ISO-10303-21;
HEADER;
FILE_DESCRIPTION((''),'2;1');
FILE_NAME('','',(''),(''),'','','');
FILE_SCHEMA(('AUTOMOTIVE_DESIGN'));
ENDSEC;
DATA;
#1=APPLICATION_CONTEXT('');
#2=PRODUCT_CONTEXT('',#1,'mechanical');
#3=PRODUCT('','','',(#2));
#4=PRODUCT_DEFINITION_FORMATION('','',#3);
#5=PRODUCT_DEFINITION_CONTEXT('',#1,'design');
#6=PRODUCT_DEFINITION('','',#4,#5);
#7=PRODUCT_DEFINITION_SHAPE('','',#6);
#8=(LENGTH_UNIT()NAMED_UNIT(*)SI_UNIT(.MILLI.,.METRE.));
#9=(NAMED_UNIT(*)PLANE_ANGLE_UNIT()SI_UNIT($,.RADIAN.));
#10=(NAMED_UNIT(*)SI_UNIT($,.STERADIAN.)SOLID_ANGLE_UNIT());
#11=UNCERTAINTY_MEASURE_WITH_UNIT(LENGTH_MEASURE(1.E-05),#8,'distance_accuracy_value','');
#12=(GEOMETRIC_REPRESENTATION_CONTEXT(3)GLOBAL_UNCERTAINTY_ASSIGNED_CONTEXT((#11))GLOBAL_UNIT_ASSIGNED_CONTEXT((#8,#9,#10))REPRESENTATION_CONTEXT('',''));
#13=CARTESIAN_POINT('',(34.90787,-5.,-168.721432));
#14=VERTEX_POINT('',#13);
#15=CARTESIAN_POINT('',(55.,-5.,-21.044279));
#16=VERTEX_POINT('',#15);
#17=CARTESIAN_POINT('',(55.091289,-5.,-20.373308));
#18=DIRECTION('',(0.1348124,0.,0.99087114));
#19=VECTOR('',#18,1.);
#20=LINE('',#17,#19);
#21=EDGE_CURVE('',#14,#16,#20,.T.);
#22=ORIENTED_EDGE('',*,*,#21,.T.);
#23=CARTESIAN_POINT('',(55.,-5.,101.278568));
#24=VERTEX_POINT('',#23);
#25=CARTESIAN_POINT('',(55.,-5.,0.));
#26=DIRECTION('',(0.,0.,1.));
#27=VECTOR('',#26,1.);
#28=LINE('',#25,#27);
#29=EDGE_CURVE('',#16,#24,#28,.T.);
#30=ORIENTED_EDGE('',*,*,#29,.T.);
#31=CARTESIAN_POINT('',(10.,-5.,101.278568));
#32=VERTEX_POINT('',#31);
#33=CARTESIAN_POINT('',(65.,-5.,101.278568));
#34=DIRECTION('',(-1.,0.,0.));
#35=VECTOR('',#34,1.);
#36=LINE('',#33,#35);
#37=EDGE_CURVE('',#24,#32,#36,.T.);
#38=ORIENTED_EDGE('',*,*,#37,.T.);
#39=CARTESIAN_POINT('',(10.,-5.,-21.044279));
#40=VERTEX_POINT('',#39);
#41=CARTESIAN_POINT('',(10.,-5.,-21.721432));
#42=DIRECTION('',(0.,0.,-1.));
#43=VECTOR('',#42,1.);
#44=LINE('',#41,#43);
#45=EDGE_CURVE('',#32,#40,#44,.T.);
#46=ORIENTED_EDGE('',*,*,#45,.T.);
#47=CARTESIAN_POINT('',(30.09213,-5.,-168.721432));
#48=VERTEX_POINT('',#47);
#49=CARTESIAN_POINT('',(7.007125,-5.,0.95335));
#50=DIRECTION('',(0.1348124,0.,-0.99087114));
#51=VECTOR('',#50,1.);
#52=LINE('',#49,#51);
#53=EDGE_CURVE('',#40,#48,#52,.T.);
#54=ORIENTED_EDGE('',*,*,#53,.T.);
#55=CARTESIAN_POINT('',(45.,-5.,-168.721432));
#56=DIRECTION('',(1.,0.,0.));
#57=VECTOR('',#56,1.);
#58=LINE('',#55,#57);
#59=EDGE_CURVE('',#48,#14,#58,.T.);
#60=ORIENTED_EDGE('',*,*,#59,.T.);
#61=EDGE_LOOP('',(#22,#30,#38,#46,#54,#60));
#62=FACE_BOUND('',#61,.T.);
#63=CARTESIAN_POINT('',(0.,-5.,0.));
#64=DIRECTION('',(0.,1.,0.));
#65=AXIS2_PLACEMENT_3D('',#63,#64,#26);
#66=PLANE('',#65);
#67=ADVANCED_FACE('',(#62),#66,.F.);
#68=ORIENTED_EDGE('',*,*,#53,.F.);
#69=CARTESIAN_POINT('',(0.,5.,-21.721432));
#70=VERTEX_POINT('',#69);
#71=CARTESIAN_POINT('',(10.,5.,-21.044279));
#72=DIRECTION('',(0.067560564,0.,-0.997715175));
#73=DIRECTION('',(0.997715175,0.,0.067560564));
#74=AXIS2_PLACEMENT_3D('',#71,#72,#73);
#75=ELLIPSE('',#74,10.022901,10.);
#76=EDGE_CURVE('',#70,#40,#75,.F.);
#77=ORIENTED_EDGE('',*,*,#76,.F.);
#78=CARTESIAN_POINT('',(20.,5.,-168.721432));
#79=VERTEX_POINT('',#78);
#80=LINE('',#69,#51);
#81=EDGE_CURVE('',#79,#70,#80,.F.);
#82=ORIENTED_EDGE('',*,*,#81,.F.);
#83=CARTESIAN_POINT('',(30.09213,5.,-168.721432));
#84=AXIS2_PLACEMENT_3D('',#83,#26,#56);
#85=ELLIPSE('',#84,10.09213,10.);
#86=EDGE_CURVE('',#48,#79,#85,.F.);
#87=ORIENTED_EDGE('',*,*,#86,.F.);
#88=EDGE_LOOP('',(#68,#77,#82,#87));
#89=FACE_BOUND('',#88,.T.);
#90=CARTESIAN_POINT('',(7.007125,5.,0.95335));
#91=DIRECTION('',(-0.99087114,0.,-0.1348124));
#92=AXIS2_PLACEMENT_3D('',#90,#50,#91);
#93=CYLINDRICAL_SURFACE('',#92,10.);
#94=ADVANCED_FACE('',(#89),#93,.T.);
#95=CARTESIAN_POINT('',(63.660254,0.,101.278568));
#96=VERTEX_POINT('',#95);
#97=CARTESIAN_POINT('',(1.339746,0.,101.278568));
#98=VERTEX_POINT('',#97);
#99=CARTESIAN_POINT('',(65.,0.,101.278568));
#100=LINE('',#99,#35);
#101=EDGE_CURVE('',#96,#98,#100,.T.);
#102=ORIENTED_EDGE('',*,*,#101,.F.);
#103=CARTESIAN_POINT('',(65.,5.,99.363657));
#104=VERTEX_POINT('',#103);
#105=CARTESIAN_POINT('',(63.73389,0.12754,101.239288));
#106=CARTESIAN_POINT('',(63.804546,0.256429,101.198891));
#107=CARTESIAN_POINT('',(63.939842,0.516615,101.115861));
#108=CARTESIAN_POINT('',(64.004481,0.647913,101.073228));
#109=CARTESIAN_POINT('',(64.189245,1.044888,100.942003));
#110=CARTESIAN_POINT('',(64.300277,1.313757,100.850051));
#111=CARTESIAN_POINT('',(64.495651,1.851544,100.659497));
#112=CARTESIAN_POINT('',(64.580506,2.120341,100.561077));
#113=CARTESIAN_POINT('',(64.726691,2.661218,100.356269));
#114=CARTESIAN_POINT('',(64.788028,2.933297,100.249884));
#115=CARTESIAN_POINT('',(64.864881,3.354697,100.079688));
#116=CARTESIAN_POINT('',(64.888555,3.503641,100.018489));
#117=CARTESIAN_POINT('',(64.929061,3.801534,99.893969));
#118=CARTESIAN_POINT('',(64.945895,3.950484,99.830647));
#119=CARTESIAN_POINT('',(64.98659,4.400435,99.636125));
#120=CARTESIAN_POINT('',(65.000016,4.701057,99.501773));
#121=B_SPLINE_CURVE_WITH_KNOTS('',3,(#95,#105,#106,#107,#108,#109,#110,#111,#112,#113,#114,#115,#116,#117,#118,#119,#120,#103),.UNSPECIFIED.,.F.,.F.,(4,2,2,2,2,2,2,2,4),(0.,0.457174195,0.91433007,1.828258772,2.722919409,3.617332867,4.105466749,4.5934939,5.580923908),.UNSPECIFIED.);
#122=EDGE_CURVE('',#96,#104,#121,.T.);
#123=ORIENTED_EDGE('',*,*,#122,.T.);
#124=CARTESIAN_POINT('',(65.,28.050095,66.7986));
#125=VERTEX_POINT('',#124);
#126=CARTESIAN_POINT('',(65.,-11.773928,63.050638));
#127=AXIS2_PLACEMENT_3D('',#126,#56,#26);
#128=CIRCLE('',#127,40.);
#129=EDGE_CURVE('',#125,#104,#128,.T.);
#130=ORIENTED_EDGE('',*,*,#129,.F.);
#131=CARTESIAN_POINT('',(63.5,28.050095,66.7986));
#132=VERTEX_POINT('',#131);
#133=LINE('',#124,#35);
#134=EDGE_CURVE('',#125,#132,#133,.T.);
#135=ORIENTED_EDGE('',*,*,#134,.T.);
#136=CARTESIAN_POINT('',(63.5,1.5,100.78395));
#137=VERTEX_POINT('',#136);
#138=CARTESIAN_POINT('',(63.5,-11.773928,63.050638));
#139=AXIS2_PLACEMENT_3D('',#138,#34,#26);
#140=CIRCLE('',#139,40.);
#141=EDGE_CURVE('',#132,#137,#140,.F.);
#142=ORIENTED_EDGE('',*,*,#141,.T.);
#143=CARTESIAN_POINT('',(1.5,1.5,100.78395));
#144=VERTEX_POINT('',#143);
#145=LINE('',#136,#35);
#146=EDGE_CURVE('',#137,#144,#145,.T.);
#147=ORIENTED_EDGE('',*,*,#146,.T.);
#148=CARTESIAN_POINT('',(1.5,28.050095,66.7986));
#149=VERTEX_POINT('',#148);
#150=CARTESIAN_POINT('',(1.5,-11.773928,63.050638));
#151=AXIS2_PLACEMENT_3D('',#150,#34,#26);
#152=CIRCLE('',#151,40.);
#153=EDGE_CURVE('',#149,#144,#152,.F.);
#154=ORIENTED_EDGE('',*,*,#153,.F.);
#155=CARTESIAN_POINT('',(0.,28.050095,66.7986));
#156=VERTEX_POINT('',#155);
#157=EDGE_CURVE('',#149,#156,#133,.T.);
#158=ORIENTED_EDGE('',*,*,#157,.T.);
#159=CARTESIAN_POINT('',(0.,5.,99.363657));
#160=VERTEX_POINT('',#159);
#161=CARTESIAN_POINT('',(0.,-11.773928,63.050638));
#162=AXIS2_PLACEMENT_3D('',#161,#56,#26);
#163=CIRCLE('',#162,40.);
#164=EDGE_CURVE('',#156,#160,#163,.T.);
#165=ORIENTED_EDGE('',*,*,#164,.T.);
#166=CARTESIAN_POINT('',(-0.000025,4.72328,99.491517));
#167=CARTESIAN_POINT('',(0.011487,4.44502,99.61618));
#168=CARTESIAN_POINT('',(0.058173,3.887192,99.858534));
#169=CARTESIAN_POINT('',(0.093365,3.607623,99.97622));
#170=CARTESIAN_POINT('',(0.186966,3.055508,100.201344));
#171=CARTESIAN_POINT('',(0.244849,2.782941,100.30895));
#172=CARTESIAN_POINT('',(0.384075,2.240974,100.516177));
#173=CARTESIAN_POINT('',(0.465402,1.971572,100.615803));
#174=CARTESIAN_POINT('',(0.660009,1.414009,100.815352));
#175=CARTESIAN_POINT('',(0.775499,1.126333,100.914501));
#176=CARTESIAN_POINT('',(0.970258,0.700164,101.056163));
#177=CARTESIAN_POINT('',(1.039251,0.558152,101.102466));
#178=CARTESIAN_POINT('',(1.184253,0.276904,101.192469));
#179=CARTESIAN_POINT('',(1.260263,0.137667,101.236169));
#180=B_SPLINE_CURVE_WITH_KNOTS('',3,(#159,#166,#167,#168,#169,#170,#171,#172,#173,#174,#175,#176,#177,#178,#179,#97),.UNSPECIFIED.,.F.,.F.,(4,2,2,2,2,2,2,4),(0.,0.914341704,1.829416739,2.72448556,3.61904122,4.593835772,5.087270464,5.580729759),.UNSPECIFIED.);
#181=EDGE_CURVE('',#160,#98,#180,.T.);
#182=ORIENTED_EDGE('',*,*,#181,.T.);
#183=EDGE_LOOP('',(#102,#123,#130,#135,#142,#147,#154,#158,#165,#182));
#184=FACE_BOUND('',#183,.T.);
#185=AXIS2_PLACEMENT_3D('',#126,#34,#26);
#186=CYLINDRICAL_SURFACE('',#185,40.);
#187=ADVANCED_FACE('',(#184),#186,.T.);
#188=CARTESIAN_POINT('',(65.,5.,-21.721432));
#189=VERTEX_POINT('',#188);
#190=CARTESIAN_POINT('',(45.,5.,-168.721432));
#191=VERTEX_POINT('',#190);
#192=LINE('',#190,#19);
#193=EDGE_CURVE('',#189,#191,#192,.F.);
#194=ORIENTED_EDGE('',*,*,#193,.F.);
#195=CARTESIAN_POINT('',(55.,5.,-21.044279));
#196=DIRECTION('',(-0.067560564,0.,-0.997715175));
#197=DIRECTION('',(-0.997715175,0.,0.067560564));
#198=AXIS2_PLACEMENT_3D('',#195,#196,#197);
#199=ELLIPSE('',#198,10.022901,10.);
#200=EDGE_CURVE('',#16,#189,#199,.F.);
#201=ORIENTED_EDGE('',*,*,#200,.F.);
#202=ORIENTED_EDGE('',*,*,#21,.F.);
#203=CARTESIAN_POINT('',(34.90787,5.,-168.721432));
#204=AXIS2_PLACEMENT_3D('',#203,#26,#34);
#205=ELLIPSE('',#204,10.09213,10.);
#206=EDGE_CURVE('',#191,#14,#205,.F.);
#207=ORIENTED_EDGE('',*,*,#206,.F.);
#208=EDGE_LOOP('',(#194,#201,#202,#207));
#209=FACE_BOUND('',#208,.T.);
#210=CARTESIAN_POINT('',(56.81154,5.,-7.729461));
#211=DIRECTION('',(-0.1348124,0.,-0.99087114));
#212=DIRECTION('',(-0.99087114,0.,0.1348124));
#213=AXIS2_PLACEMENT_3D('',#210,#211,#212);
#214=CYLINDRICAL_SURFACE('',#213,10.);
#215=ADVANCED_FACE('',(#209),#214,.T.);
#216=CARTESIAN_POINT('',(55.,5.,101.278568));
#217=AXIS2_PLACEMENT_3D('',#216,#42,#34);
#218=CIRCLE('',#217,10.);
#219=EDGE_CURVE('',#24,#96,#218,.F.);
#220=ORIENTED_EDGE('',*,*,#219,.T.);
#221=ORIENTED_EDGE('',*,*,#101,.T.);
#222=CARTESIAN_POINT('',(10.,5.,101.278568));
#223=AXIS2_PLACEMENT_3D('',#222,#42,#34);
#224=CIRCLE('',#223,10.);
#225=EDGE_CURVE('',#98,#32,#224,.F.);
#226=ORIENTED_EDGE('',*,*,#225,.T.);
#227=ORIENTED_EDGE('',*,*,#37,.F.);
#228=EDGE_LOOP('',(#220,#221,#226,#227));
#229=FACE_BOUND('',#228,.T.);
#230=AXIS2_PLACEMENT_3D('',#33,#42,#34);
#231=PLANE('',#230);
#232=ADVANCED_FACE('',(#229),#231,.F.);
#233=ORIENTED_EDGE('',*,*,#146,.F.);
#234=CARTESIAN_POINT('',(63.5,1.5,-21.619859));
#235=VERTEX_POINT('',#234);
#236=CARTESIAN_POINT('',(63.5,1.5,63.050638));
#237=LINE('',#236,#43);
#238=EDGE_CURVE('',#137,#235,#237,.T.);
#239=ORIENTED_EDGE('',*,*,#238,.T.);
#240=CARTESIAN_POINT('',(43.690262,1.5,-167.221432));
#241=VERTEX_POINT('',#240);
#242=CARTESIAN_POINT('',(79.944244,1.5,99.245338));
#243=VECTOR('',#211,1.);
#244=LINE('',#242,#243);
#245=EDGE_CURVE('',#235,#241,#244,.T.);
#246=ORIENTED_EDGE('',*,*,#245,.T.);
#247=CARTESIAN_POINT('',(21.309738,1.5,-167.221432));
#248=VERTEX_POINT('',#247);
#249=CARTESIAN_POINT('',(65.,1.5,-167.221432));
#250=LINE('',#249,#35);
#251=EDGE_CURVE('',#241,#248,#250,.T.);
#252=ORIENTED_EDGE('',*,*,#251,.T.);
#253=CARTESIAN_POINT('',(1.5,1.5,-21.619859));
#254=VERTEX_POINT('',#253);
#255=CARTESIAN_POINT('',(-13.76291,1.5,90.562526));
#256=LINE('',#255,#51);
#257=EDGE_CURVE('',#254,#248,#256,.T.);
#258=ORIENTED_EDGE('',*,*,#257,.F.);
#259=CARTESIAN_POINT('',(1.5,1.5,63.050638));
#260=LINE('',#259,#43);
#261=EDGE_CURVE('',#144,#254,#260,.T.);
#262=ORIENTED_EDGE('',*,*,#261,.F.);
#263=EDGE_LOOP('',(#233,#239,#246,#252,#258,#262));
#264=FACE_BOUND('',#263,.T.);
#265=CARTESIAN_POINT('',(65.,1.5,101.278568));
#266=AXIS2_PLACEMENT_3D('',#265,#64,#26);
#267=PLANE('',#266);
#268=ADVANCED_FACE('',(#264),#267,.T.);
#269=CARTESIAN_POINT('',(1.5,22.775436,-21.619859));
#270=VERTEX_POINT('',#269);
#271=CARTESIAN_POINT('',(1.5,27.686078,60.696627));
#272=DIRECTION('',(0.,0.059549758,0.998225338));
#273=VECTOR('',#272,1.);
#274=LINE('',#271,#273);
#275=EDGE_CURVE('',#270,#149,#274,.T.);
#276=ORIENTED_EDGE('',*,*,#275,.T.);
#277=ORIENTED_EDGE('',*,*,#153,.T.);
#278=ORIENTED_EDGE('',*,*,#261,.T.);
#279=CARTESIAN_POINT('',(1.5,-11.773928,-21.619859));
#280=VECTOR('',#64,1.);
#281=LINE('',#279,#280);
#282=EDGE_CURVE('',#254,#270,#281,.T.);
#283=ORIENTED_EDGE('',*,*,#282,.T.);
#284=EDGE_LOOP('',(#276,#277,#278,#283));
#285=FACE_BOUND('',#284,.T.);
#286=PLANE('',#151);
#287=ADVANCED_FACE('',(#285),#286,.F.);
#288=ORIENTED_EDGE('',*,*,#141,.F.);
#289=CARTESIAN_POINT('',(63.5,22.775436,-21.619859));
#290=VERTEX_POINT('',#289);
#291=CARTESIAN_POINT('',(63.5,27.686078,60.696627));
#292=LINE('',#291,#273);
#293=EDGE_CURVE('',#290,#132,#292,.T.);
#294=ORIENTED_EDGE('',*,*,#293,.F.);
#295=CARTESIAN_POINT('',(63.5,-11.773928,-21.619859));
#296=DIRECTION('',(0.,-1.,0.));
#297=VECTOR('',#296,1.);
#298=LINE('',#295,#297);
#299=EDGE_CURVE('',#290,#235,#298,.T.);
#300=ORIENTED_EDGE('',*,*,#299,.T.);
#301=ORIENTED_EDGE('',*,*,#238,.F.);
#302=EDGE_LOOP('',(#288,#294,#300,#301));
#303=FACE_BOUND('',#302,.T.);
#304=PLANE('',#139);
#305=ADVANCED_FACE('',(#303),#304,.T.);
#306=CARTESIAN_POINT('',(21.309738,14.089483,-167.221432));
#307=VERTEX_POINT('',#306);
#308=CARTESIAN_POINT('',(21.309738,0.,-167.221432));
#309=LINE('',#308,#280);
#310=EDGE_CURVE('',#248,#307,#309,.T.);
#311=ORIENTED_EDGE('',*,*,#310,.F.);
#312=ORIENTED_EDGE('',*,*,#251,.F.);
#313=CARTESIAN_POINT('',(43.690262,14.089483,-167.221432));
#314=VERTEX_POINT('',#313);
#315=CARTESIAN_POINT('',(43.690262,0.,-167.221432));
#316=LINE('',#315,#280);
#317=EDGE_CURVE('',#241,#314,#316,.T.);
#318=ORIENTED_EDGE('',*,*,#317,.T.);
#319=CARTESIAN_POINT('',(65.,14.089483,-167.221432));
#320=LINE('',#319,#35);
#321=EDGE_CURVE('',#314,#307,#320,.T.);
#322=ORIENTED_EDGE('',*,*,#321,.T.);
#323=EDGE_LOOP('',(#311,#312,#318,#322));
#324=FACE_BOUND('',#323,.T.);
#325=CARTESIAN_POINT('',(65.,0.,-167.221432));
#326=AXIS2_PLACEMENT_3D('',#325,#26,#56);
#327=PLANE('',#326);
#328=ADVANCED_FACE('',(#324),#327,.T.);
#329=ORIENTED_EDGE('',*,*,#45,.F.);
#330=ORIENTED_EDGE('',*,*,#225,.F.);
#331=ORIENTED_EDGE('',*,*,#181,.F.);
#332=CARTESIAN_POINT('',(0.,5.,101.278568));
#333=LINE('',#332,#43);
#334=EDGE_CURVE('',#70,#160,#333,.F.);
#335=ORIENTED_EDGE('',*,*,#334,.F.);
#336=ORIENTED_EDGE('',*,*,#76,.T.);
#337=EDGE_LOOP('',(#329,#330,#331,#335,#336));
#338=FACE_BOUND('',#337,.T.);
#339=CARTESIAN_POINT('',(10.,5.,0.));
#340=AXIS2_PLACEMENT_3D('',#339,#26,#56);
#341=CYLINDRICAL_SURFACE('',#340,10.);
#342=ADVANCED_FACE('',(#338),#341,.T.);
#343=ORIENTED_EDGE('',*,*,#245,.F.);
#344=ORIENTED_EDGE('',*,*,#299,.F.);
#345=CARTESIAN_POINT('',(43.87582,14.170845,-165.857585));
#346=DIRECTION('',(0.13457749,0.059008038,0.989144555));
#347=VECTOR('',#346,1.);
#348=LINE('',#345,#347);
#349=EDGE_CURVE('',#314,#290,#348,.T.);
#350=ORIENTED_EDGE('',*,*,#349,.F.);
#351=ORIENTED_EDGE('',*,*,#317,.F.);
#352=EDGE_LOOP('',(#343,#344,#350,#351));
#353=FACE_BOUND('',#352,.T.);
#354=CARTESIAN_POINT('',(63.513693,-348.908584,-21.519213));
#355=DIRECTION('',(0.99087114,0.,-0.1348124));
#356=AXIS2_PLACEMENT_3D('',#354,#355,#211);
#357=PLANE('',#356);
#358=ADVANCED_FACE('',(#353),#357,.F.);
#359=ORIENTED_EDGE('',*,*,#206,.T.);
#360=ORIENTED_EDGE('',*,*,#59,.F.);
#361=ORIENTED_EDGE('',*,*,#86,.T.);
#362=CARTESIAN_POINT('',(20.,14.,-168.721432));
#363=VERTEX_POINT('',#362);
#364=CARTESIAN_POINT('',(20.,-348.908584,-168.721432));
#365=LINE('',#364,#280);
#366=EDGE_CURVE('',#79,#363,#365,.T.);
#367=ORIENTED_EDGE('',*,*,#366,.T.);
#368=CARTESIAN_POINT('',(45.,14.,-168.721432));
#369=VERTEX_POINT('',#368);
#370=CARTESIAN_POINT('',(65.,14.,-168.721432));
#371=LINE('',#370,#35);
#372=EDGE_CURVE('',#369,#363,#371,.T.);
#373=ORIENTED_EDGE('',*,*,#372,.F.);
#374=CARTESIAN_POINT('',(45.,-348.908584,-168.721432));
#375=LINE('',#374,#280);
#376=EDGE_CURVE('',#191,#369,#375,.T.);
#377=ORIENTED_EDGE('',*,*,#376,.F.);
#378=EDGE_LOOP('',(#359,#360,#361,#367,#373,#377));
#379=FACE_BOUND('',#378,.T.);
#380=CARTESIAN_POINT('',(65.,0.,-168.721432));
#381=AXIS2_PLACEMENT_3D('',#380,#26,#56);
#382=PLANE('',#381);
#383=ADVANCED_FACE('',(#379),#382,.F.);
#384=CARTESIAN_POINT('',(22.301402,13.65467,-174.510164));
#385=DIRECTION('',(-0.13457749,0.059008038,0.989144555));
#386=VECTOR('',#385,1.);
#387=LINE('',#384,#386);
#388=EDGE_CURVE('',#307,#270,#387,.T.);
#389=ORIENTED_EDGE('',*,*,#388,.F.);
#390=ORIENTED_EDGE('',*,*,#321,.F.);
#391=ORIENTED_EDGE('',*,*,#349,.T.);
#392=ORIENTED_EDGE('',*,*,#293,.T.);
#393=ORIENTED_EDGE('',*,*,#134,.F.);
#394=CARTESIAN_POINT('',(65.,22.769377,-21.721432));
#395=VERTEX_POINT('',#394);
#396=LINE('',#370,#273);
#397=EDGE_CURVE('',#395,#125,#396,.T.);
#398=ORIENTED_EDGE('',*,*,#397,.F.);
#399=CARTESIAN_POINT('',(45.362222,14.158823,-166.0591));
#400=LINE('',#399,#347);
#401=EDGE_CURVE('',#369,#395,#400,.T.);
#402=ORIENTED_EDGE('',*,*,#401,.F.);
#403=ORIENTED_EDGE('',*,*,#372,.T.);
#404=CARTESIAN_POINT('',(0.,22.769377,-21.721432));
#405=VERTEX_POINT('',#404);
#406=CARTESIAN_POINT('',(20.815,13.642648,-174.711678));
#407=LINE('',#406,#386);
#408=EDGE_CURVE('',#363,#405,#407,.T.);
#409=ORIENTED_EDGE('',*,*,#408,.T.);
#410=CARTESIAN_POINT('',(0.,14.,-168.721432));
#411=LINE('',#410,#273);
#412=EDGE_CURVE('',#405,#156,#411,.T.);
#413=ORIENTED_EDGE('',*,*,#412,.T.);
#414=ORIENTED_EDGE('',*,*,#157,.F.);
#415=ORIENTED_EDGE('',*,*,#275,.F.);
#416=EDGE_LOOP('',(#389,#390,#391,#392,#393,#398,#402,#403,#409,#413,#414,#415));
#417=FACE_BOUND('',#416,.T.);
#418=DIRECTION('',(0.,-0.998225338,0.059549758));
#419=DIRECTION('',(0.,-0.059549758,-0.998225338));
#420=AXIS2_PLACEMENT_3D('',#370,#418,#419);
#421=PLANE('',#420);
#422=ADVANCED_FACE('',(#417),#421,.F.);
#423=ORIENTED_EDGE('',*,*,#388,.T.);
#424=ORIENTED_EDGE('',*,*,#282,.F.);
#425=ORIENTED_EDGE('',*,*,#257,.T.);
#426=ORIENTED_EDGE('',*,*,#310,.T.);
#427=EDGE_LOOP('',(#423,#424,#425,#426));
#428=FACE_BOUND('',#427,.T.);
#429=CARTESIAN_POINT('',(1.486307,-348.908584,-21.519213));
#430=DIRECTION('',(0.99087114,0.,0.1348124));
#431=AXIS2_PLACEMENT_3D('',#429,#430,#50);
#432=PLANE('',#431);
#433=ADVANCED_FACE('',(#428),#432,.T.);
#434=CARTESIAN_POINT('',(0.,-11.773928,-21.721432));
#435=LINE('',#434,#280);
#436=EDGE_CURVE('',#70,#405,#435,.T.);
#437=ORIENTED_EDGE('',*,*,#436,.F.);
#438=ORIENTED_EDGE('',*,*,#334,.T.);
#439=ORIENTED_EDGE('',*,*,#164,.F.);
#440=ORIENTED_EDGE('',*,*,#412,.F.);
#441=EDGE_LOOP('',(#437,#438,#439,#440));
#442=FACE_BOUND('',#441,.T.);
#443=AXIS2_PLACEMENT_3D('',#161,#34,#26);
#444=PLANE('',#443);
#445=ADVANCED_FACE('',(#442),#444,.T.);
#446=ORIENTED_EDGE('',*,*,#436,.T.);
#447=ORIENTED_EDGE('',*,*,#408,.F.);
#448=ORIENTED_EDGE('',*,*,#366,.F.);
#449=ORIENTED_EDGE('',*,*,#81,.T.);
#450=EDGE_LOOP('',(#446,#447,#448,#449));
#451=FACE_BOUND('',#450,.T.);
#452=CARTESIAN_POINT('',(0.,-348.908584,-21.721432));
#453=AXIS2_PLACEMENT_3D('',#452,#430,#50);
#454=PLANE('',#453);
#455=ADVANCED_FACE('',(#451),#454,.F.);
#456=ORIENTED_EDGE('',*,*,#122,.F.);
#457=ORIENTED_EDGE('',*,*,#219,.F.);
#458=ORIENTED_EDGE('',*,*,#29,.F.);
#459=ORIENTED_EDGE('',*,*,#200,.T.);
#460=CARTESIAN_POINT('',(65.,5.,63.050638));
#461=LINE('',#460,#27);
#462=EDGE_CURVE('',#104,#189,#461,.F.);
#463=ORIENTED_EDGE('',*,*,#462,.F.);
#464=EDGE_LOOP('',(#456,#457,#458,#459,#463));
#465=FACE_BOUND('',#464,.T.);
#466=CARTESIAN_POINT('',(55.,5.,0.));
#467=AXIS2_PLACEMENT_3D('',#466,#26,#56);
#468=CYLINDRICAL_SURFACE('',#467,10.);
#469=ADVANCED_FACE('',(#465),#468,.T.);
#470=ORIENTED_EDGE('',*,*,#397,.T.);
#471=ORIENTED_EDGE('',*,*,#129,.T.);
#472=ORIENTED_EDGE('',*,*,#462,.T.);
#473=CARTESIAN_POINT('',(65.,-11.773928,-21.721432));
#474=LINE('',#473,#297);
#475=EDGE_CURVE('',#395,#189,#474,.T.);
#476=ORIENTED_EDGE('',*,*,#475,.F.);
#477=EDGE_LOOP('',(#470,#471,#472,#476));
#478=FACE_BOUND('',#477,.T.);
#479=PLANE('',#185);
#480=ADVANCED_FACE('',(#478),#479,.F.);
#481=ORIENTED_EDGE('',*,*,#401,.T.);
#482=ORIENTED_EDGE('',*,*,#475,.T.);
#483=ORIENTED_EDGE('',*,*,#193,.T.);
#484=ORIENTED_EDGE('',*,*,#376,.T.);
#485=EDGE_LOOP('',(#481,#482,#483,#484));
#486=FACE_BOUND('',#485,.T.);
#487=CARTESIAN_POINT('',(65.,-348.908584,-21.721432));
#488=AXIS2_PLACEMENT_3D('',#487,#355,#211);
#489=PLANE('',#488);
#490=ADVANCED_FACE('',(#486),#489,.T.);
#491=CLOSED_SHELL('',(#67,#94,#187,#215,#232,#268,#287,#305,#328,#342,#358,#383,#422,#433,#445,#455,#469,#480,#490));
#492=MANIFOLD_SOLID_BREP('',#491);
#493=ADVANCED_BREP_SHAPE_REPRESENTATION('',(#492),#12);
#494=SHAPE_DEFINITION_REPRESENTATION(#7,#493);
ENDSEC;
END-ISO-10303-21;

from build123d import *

# Parameters (mm, degrees)
BOSS_EXTRUDE1_DEPTH     = 65
CUT_EXTRUDE1_DEPTH      = 183.971935996
CUT_EXTRUDE1_DEPTH_BACK = 183.971935996
CUT_EXTRUDE2_DEPTH      = 183.971935996
CUT_EXTRUDE2_DEPTH_BACK = 183.971935996
SHELL2_T                = -1.5
BOSS_EXTRUDE4_DEPTH     = 5
FILLET12_R              = 10


with BuildPart() as part:
    # Sketch1 → Boss-Extrude1 (new body)
    with BuildSketch(Plane(origin=(0, 0, 0), x_dir=(0, 0, -1), z_dir=(1, 0, 0))):
        with BuildLine():
            Line((-101.278568247, 0), (168.721431753, 0))
            Line((168.721431753, 0), (168.721431753, 14))
            Line((168.721431753, 14), (-66.798599974, 28.050095))
            ThreePointArc((-66.798599974, 28.050095), (-88.293376402, 19.255158243), (-101.278568247, 0))
        make_face()
    extrude(amount=BOSS_EXTRUDE1_DEPTH)

    # Sketch3 → Cut-Extrude1 (cut, two sides: drawn at the far end of the back side and taken through both)
    with BuildSketch(Plane.XZ.offset(-CUT_EXTRUDE1_DEPTH_BACK)):
        Polygon((-75.150987408, 530.638325694), (0, -21.721431753), (20, -168.721431753), (95.150987408, -721.081189199), (-1009.568527485, -871.383164014), (-1179.8705023, 380.336350878), align=None)
    extrude(amount=CUT_EXTRUDE1_DEPTH + CUT_EXTRUDE1_DEPTH_BACK, mode=Mode.SUBTRACT)

    # Sketch5 → Cut-Extrude2 (cut, two sides: drawn at the far end of the back side and taken through both)
    with BuildSketch(Plane.XZ.offset(-CUT_EXTRUDE2_DEPTH_BACK)):
        Polygon((140.150987408, 530.638325694), (65, -21.721431753), (45, -168.721431753), (-30.150987408, -721.081189199), (1074.568527485, -871.383164014), (1244.8705023, 380.336350878), align=None)
    extrude(amount=CUT_EXTRUDE2_DEPTH + CUT_EXTRUDE2_DEPTH_BACK, mode=Mode.SUBTRACT)

    # Shell2
    shell2_openings = [part.faces().sort_by_distance(p)[0] for p in [
        (32.5, 22.000053007, -34.617517295),
        (32.5, 19.255158243, 88.293376402),
    ]]
    offset(amount=SHELL2_T, openings=shell2_openings, kind=Kind.INTERSECTION)

    # Sketch18 → Boss-Extrude4 (add)
    with BuildSketch(Plane.XZ):
        Polygon((65, 101.278568247), (0, 101.278568247), (0, -21.721431753), (20, -168.721431753), (45, -168.721431753), (65, -21.721431753), align=None)
    extrude(amount=BOSS_EXTRUDE4_DEPTH)

    # Fillet12
    fillet12_edges = [part.edges().sort_by_distance(p)[0] for p in [
        (65, -5, 39.778568247),
        (0, -5, 39.778568247),
        (10, -5, -95.221431753),
        (55, -5, -95.221431753),
    ]]
    fillet(fillet12_edges, radius=FILLET12_R)


solid = part.part
